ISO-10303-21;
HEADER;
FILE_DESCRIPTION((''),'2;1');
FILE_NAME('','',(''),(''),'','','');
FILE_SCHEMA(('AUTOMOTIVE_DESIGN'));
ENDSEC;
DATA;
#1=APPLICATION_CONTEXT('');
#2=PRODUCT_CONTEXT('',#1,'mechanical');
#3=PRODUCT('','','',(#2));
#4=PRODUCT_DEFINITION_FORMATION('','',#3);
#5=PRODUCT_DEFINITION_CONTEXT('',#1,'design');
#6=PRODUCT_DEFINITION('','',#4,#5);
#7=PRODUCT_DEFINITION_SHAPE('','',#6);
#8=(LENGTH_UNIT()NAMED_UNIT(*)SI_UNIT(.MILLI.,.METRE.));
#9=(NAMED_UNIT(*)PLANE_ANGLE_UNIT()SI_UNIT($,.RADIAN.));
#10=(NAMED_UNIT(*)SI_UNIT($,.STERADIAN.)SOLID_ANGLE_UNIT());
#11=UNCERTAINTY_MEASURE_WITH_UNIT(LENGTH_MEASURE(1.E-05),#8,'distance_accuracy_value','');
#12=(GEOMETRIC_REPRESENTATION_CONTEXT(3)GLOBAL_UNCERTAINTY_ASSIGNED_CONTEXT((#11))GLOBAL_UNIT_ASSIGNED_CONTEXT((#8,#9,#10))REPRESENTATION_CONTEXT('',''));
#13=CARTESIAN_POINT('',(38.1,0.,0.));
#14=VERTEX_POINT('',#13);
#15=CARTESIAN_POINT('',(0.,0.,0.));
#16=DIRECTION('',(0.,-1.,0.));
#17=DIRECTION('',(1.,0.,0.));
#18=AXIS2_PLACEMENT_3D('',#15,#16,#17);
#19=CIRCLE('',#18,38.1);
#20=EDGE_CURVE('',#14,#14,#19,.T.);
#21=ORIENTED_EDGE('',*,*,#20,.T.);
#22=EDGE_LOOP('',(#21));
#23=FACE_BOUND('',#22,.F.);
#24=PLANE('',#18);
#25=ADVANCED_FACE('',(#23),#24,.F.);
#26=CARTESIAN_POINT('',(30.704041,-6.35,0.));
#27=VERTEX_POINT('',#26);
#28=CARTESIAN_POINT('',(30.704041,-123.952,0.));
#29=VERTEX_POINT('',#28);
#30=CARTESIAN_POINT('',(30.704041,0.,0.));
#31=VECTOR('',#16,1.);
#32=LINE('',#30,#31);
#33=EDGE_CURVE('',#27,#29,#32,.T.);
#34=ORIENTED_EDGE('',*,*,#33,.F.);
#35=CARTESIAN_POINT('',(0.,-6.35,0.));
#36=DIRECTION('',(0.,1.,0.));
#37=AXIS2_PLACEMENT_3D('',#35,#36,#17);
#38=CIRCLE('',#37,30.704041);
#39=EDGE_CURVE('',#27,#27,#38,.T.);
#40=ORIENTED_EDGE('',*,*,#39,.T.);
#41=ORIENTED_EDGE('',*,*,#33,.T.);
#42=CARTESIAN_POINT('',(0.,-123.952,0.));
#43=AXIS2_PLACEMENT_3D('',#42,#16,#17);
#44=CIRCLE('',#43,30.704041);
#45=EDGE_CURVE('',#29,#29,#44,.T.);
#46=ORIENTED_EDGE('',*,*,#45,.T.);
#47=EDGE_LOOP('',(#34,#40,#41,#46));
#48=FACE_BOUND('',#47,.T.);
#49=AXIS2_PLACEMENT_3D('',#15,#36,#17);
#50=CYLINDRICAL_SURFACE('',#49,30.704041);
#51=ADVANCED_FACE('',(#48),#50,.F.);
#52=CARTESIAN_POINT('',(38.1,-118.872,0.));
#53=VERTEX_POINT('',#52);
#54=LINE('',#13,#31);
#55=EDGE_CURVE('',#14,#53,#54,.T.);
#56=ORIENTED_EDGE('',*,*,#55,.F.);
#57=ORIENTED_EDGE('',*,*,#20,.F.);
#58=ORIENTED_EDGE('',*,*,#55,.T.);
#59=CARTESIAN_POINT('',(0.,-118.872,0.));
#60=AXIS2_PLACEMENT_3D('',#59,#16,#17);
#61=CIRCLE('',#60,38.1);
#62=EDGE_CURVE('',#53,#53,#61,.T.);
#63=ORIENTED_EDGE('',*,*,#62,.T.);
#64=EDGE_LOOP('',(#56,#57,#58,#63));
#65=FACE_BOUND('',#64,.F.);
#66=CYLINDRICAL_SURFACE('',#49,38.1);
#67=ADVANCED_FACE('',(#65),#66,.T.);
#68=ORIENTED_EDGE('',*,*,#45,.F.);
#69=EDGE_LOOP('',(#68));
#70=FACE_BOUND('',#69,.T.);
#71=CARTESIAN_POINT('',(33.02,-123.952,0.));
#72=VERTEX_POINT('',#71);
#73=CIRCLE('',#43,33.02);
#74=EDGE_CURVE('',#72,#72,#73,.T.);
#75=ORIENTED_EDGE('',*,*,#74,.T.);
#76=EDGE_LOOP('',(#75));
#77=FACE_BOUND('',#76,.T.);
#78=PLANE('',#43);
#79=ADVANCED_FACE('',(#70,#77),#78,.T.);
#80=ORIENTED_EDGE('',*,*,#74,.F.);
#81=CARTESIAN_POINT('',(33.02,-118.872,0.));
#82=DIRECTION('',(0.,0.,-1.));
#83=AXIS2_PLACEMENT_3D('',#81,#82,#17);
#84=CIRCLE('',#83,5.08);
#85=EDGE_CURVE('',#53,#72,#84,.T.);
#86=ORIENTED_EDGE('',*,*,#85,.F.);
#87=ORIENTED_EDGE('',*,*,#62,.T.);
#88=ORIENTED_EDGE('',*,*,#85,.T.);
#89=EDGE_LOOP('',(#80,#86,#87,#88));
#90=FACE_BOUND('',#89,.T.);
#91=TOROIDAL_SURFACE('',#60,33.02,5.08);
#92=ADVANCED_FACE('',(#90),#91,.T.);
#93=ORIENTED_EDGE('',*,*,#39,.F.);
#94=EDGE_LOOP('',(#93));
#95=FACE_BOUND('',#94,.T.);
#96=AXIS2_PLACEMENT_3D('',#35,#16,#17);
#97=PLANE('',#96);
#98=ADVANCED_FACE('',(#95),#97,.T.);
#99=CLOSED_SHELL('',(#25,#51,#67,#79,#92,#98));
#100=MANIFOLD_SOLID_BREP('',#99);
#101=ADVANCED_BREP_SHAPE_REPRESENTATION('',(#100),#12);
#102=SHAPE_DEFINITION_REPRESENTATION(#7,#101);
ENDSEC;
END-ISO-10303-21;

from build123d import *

# Parameters (mm, degrees)
F0_R     = 38.1
F0_R_2   = 30.704041
F1_DEPTH = 123.952
F2_R     = 5.08
F3_R     = 30.737392
F4_DEPTH = 6.35


with BuildPart() as f1:
    # F0 (on Front) → F1 (new body)
    with BuildSketch(Plane.XZ):
        Circle(F0_R)
        Circle(F0_R_2, mode=Mode.SUBTRACT)
    extrude(amount=F1_DEPTH)

    # F2
    f2_edges = [f1.edges().sort_by_distance(p)[0] for p in [
        (-38.1, -123.952, 0),
    ]]
    fillet(f2_edges, radius=F2_R)

    # F3 (on Front) → F4 (join)
    with BuildSketch(Plane.XZ):
        Circle(F3_R)
    extrude(amount=F4_DEPTH)


solid = f1.part
